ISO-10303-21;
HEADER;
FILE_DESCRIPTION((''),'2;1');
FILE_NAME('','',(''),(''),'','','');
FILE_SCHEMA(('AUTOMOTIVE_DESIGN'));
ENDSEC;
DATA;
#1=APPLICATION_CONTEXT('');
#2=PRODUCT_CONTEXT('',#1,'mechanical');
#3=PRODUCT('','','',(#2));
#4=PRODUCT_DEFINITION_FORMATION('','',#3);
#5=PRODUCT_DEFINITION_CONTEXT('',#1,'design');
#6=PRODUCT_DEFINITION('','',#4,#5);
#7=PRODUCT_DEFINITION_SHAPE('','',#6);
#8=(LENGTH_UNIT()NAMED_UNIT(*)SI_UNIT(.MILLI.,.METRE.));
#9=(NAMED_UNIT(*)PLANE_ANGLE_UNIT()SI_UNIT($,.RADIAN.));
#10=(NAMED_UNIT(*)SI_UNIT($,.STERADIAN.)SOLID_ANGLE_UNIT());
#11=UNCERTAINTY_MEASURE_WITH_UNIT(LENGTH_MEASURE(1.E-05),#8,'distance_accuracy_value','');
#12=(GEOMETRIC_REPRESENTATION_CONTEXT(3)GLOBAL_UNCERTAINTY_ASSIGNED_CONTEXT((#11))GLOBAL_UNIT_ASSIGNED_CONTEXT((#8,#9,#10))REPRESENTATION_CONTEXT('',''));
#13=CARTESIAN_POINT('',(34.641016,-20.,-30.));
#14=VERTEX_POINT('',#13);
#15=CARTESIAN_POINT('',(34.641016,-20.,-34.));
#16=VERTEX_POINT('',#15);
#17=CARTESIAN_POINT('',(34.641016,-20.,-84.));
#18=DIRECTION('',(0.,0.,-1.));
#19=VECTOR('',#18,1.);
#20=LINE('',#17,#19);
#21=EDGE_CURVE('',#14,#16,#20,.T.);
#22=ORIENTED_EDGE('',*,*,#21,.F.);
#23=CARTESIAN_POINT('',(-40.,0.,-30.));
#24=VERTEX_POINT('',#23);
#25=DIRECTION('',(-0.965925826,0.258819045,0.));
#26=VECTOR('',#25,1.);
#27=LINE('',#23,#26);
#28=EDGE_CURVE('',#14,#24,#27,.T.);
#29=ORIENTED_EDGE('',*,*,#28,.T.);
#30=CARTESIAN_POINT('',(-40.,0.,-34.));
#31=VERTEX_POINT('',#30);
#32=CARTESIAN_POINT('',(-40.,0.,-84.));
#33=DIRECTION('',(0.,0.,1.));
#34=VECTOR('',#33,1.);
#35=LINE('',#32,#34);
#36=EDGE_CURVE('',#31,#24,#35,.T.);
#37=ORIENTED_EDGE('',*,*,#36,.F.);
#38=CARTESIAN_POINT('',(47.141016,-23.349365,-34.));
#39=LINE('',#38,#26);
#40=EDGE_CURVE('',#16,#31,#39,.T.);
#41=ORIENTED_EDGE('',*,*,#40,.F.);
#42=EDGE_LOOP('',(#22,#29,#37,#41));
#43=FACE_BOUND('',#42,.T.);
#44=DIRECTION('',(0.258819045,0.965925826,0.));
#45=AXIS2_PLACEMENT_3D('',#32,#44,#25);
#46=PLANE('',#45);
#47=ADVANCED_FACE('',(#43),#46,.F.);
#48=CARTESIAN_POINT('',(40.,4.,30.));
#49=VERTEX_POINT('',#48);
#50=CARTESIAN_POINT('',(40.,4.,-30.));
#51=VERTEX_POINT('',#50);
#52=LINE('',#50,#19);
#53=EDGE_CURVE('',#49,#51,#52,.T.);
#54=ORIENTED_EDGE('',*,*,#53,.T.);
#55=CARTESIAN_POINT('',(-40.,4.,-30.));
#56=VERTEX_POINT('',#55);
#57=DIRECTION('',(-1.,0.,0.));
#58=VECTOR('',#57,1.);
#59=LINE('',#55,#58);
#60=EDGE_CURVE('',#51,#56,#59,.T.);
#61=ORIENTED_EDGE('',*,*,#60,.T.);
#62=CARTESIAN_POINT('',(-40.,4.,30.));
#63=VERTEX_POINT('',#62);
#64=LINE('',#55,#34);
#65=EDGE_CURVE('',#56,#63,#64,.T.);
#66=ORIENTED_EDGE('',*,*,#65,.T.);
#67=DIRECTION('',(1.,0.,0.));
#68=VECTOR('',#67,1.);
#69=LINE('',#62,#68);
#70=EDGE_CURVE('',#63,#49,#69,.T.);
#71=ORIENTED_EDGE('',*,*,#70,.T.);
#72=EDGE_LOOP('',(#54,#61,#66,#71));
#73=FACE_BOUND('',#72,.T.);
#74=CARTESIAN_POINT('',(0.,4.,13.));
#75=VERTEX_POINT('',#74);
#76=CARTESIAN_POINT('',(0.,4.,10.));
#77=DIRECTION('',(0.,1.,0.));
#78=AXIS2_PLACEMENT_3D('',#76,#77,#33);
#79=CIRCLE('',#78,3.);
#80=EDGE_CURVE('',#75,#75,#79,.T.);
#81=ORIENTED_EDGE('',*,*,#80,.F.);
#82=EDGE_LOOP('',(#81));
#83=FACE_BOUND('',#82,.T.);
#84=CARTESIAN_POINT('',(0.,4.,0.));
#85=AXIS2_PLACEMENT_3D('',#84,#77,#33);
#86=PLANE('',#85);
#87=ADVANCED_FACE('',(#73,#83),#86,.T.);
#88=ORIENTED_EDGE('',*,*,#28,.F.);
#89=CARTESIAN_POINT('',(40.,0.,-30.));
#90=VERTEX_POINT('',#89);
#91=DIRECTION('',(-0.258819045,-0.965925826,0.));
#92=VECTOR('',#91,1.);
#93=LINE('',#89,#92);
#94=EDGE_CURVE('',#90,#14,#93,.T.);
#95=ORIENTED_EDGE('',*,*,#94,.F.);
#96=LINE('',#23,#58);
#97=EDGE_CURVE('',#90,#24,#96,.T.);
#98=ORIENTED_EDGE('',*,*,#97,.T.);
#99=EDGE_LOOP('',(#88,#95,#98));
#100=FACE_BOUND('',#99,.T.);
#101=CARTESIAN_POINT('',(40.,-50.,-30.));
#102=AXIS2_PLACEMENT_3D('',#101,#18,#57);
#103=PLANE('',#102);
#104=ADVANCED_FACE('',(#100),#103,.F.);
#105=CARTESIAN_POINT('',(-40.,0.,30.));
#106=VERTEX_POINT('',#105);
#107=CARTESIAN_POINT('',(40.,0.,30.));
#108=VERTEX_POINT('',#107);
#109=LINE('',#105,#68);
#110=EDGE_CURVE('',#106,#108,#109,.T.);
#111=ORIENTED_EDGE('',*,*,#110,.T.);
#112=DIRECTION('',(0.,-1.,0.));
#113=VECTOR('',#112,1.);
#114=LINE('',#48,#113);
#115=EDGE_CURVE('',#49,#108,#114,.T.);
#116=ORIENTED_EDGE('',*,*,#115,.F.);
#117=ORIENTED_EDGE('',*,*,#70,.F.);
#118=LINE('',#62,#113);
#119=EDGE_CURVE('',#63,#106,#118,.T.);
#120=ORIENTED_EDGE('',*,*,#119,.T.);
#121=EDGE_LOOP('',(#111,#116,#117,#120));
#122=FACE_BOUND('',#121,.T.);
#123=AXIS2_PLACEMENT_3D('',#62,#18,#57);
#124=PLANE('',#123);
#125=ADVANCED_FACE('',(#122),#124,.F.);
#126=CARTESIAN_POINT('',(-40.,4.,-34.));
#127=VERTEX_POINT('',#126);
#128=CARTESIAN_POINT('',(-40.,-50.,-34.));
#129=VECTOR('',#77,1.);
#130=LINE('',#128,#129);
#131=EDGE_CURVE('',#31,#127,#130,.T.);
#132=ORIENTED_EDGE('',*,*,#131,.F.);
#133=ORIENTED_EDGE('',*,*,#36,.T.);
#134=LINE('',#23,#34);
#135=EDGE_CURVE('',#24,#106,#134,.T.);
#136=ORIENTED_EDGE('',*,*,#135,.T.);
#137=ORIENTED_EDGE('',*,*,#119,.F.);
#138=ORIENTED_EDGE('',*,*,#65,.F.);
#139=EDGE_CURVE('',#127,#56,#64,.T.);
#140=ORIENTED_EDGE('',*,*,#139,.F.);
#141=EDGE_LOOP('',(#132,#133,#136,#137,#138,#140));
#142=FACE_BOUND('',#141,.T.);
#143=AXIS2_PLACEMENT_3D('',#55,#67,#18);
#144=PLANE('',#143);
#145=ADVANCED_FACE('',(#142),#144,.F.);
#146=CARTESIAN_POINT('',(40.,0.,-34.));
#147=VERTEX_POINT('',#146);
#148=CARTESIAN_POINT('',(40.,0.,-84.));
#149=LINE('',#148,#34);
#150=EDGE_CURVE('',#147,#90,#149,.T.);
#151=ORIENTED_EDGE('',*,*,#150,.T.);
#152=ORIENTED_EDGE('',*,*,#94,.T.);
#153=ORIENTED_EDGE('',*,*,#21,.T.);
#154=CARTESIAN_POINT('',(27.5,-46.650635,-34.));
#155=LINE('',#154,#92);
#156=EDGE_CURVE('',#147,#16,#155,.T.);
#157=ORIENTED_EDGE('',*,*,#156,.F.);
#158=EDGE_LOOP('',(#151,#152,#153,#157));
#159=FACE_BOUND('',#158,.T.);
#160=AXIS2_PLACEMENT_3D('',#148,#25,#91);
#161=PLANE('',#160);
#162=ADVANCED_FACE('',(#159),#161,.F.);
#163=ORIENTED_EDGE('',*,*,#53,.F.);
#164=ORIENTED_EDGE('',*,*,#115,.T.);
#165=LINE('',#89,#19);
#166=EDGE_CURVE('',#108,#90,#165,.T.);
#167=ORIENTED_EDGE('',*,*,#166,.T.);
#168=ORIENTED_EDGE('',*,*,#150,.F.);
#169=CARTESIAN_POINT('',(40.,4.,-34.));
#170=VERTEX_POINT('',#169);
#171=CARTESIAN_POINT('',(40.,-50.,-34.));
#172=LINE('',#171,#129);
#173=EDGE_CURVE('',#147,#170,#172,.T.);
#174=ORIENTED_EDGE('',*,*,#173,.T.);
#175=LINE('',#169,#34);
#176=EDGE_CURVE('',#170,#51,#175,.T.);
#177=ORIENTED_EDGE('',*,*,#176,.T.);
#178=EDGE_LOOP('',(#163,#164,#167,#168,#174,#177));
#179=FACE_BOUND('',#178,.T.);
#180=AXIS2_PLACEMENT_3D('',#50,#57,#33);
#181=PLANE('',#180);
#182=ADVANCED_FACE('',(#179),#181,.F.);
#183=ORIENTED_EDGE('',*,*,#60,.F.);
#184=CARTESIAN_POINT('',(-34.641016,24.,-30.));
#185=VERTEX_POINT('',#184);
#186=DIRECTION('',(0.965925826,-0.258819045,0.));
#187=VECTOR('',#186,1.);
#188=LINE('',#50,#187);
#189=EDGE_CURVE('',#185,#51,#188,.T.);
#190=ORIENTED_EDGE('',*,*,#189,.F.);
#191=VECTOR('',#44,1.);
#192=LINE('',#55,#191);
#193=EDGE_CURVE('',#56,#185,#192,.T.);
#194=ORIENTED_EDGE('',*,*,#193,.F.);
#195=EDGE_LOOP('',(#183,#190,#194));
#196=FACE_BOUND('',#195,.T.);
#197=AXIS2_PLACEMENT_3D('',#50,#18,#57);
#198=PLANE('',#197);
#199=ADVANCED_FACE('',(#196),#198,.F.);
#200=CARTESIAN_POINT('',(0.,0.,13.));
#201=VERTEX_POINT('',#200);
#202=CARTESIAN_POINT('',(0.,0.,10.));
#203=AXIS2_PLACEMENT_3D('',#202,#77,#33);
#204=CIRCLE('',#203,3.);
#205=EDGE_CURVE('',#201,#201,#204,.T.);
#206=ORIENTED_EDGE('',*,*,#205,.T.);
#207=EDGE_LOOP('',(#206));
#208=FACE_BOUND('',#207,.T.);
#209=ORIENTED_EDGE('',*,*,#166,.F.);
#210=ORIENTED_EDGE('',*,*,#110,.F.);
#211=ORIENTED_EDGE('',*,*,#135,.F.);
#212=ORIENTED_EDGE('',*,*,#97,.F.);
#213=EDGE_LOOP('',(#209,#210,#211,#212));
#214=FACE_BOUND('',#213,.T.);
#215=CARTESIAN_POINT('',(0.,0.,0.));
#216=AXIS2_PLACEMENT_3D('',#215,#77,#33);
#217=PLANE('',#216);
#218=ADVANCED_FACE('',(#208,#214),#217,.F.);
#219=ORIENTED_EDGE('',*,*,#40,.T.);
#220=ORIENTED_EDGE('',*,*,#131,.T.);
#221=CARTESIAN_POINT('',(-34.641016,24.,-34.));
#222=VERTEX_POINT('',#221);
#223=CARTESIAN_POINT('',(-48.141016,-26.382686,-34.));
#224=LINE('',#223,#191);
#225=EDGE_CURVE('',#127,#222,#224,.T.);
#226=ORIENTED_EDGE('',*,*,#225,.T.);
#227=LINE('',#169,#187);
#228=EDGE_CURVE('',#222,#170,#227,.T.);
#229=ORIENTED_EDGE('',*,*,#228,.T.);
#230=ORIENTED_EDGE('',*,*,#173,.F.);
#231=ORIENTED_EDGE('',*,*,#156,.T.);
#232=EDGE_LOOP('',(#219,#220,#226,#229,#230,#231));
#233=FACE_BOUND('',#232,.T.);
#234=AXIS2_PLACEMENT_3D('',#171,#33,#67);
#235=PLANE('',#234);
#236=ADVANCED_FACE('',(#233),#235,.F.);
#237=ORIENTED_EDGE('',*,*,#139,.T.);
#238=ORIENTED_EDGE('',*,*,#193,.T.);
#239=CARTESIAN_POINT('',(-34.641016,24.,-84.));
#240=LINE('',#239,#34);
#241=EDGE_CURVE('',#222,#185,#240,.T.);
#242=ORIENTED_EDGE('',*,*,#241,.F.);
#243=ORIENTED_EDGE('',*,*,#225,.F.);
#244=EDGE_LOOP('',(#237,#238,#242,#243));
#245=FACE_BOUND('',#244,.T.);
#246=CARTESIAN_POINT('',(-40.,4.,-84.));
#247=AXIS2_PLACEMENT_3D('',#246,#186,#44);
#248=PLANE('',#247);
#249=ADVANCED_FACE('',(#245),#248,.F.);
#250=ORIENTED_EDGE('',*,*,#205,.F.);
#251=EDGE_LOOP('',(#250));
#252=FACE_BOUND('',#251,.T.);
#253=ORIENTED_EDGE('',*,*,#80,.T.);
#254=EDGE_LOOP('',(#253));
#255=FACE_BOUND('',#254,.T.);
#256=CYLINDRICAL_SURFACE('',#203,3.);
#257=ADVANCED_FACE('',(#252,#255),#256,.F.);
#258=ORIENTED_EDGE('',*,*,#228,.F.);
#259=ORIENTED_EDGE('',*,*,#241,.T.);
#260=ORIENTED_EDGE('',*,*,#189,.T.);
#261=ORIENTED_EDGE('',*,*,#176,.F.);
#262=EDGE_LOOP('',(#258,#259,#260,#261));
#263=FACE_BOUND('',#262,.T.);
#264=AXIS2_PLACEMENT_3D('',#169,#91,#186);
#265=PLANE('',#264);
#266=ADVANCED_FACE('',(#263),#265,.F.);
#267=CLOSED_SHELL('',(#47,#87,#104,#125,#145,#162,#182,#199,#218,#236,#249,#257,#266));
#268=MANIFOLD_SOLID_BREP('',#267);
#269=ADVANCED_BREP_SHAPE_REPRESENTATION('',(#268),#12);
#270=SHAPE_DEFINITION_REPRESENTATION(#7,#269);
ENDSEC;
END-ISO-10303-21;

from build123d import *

# Parameters (mm, degrees)
SKETCH1_W           = 80
SKETCH1_H           = 60
BOSS_EXTRUDE1_DEPTH = 4
SKETCH2_R           = 3
CUT_EXTRUDE1_DEPTH  = 4
BOSS_EXTRUDE4_DEPTH = 4
SKETCH9_W           = 80
SKETCH9_H           = 4
BOSS_EXTRUDE5_DEPTH = 54
CUT_EXTRUDE5_DEPTH  = 54
CUT_EXTRUDE6_DEPTH  = 54
CUT_EXTRUDE7_DEPTH  = 54


with BuildPart() as part:
    # Sketch1 → Boss-Extrude1 (new body)
    with BuildSketch(Plane(origin=(0, 0, 0), x_dir=(1, 0, 0), z_dir=(0, 1, 0))):
        Rectangle(SKETCH1_W, SKETCH1_H)
    extrude(amount=BOSS_EXTRUDE1_DEPTH)

    # Sketch2 → Cut-Extrude1 (cut)
    with BuildSketch(Plane(origin=(0, 4, 0), x_dir=(1, 0, 0), z_dir=(0, 1, 0))):
        with Locations(Location((0, -10, 0), (0, 0, 270))):
            Circle(SKETCH2_R)
    extrude(amount=-CUT_EXTRUDE1_DEPTH, mode=Mode.SUBTRACT)



with BuildPart() as body_2:
    # Sketch8 → Boss-Extrude4 (new body)
    with BuildSketch(Plane(origin=(0, 0, -30), x_dir=(-1, 0, 0), z_dir=(0, 0, -1))):
        with BuildLine():
            Line((-40, 4), (37.274066103, 24.705523608))
            ThreePointArc((37.274066103, 24.705523608), (39.31558891, 14.442095378), (40, 4))
            Line((40, 4), (-40, 4))
        make_face()
    extrude(amount=BOSS_EXTRUDE4_DEPTH)


with BuildPart() as part_1:
    add(part.part)

    add(body_2.part)  # Boss-Extrude5 merges body 2
    # Sketch9 → Boss-Extrude5 (add)
    with BuildSketch(Plane.XZ.offset(-4)):
        with Locations((0, -32)):
            Rectangle(SKETCH9_W, SKETCH9_H)
    extrude(amount=BOSS_EXTRUDE5_DEPTH)

    # Sketch10 → Cut-Extrude5 (cut)
    with BuildSketch(Plane.XY.offset(-30)):
        Polygon((-40, 4), (-34.641016151, 24), (-48.042949513, 27.591037221), align=None)
    extrude(amount=-CUT_EXTRUDE5_DEPTH, mode=Mode.SUBTRACT)

    # Sketch11 → Cut-Extrude6 (cut)
    with BuildSketch(Plane.XY.offset(-30)):
        Polygon((40, 0), (26.602540378, -50), (60.406284328, -52.474789136), align=None)
    extrude(amount=-CUT_EXTRUDE6_DEPTH, mode=Mode.SUBTRACT)

    # Sketch12 → Cut-Extrude7 (cut)
    with BuildSketch(Plane.XY.offset(-30)):
        Polygon((-40, 0), (34.641016151, -20), (30.373618341, -54.228709826), (-68.422743557, -51.185946857), align=None)
    extrude(amount=-CUT_EXTRUDE7_DEPTH, mode=Mode.SUBTRACT)


solid = part_1.part
